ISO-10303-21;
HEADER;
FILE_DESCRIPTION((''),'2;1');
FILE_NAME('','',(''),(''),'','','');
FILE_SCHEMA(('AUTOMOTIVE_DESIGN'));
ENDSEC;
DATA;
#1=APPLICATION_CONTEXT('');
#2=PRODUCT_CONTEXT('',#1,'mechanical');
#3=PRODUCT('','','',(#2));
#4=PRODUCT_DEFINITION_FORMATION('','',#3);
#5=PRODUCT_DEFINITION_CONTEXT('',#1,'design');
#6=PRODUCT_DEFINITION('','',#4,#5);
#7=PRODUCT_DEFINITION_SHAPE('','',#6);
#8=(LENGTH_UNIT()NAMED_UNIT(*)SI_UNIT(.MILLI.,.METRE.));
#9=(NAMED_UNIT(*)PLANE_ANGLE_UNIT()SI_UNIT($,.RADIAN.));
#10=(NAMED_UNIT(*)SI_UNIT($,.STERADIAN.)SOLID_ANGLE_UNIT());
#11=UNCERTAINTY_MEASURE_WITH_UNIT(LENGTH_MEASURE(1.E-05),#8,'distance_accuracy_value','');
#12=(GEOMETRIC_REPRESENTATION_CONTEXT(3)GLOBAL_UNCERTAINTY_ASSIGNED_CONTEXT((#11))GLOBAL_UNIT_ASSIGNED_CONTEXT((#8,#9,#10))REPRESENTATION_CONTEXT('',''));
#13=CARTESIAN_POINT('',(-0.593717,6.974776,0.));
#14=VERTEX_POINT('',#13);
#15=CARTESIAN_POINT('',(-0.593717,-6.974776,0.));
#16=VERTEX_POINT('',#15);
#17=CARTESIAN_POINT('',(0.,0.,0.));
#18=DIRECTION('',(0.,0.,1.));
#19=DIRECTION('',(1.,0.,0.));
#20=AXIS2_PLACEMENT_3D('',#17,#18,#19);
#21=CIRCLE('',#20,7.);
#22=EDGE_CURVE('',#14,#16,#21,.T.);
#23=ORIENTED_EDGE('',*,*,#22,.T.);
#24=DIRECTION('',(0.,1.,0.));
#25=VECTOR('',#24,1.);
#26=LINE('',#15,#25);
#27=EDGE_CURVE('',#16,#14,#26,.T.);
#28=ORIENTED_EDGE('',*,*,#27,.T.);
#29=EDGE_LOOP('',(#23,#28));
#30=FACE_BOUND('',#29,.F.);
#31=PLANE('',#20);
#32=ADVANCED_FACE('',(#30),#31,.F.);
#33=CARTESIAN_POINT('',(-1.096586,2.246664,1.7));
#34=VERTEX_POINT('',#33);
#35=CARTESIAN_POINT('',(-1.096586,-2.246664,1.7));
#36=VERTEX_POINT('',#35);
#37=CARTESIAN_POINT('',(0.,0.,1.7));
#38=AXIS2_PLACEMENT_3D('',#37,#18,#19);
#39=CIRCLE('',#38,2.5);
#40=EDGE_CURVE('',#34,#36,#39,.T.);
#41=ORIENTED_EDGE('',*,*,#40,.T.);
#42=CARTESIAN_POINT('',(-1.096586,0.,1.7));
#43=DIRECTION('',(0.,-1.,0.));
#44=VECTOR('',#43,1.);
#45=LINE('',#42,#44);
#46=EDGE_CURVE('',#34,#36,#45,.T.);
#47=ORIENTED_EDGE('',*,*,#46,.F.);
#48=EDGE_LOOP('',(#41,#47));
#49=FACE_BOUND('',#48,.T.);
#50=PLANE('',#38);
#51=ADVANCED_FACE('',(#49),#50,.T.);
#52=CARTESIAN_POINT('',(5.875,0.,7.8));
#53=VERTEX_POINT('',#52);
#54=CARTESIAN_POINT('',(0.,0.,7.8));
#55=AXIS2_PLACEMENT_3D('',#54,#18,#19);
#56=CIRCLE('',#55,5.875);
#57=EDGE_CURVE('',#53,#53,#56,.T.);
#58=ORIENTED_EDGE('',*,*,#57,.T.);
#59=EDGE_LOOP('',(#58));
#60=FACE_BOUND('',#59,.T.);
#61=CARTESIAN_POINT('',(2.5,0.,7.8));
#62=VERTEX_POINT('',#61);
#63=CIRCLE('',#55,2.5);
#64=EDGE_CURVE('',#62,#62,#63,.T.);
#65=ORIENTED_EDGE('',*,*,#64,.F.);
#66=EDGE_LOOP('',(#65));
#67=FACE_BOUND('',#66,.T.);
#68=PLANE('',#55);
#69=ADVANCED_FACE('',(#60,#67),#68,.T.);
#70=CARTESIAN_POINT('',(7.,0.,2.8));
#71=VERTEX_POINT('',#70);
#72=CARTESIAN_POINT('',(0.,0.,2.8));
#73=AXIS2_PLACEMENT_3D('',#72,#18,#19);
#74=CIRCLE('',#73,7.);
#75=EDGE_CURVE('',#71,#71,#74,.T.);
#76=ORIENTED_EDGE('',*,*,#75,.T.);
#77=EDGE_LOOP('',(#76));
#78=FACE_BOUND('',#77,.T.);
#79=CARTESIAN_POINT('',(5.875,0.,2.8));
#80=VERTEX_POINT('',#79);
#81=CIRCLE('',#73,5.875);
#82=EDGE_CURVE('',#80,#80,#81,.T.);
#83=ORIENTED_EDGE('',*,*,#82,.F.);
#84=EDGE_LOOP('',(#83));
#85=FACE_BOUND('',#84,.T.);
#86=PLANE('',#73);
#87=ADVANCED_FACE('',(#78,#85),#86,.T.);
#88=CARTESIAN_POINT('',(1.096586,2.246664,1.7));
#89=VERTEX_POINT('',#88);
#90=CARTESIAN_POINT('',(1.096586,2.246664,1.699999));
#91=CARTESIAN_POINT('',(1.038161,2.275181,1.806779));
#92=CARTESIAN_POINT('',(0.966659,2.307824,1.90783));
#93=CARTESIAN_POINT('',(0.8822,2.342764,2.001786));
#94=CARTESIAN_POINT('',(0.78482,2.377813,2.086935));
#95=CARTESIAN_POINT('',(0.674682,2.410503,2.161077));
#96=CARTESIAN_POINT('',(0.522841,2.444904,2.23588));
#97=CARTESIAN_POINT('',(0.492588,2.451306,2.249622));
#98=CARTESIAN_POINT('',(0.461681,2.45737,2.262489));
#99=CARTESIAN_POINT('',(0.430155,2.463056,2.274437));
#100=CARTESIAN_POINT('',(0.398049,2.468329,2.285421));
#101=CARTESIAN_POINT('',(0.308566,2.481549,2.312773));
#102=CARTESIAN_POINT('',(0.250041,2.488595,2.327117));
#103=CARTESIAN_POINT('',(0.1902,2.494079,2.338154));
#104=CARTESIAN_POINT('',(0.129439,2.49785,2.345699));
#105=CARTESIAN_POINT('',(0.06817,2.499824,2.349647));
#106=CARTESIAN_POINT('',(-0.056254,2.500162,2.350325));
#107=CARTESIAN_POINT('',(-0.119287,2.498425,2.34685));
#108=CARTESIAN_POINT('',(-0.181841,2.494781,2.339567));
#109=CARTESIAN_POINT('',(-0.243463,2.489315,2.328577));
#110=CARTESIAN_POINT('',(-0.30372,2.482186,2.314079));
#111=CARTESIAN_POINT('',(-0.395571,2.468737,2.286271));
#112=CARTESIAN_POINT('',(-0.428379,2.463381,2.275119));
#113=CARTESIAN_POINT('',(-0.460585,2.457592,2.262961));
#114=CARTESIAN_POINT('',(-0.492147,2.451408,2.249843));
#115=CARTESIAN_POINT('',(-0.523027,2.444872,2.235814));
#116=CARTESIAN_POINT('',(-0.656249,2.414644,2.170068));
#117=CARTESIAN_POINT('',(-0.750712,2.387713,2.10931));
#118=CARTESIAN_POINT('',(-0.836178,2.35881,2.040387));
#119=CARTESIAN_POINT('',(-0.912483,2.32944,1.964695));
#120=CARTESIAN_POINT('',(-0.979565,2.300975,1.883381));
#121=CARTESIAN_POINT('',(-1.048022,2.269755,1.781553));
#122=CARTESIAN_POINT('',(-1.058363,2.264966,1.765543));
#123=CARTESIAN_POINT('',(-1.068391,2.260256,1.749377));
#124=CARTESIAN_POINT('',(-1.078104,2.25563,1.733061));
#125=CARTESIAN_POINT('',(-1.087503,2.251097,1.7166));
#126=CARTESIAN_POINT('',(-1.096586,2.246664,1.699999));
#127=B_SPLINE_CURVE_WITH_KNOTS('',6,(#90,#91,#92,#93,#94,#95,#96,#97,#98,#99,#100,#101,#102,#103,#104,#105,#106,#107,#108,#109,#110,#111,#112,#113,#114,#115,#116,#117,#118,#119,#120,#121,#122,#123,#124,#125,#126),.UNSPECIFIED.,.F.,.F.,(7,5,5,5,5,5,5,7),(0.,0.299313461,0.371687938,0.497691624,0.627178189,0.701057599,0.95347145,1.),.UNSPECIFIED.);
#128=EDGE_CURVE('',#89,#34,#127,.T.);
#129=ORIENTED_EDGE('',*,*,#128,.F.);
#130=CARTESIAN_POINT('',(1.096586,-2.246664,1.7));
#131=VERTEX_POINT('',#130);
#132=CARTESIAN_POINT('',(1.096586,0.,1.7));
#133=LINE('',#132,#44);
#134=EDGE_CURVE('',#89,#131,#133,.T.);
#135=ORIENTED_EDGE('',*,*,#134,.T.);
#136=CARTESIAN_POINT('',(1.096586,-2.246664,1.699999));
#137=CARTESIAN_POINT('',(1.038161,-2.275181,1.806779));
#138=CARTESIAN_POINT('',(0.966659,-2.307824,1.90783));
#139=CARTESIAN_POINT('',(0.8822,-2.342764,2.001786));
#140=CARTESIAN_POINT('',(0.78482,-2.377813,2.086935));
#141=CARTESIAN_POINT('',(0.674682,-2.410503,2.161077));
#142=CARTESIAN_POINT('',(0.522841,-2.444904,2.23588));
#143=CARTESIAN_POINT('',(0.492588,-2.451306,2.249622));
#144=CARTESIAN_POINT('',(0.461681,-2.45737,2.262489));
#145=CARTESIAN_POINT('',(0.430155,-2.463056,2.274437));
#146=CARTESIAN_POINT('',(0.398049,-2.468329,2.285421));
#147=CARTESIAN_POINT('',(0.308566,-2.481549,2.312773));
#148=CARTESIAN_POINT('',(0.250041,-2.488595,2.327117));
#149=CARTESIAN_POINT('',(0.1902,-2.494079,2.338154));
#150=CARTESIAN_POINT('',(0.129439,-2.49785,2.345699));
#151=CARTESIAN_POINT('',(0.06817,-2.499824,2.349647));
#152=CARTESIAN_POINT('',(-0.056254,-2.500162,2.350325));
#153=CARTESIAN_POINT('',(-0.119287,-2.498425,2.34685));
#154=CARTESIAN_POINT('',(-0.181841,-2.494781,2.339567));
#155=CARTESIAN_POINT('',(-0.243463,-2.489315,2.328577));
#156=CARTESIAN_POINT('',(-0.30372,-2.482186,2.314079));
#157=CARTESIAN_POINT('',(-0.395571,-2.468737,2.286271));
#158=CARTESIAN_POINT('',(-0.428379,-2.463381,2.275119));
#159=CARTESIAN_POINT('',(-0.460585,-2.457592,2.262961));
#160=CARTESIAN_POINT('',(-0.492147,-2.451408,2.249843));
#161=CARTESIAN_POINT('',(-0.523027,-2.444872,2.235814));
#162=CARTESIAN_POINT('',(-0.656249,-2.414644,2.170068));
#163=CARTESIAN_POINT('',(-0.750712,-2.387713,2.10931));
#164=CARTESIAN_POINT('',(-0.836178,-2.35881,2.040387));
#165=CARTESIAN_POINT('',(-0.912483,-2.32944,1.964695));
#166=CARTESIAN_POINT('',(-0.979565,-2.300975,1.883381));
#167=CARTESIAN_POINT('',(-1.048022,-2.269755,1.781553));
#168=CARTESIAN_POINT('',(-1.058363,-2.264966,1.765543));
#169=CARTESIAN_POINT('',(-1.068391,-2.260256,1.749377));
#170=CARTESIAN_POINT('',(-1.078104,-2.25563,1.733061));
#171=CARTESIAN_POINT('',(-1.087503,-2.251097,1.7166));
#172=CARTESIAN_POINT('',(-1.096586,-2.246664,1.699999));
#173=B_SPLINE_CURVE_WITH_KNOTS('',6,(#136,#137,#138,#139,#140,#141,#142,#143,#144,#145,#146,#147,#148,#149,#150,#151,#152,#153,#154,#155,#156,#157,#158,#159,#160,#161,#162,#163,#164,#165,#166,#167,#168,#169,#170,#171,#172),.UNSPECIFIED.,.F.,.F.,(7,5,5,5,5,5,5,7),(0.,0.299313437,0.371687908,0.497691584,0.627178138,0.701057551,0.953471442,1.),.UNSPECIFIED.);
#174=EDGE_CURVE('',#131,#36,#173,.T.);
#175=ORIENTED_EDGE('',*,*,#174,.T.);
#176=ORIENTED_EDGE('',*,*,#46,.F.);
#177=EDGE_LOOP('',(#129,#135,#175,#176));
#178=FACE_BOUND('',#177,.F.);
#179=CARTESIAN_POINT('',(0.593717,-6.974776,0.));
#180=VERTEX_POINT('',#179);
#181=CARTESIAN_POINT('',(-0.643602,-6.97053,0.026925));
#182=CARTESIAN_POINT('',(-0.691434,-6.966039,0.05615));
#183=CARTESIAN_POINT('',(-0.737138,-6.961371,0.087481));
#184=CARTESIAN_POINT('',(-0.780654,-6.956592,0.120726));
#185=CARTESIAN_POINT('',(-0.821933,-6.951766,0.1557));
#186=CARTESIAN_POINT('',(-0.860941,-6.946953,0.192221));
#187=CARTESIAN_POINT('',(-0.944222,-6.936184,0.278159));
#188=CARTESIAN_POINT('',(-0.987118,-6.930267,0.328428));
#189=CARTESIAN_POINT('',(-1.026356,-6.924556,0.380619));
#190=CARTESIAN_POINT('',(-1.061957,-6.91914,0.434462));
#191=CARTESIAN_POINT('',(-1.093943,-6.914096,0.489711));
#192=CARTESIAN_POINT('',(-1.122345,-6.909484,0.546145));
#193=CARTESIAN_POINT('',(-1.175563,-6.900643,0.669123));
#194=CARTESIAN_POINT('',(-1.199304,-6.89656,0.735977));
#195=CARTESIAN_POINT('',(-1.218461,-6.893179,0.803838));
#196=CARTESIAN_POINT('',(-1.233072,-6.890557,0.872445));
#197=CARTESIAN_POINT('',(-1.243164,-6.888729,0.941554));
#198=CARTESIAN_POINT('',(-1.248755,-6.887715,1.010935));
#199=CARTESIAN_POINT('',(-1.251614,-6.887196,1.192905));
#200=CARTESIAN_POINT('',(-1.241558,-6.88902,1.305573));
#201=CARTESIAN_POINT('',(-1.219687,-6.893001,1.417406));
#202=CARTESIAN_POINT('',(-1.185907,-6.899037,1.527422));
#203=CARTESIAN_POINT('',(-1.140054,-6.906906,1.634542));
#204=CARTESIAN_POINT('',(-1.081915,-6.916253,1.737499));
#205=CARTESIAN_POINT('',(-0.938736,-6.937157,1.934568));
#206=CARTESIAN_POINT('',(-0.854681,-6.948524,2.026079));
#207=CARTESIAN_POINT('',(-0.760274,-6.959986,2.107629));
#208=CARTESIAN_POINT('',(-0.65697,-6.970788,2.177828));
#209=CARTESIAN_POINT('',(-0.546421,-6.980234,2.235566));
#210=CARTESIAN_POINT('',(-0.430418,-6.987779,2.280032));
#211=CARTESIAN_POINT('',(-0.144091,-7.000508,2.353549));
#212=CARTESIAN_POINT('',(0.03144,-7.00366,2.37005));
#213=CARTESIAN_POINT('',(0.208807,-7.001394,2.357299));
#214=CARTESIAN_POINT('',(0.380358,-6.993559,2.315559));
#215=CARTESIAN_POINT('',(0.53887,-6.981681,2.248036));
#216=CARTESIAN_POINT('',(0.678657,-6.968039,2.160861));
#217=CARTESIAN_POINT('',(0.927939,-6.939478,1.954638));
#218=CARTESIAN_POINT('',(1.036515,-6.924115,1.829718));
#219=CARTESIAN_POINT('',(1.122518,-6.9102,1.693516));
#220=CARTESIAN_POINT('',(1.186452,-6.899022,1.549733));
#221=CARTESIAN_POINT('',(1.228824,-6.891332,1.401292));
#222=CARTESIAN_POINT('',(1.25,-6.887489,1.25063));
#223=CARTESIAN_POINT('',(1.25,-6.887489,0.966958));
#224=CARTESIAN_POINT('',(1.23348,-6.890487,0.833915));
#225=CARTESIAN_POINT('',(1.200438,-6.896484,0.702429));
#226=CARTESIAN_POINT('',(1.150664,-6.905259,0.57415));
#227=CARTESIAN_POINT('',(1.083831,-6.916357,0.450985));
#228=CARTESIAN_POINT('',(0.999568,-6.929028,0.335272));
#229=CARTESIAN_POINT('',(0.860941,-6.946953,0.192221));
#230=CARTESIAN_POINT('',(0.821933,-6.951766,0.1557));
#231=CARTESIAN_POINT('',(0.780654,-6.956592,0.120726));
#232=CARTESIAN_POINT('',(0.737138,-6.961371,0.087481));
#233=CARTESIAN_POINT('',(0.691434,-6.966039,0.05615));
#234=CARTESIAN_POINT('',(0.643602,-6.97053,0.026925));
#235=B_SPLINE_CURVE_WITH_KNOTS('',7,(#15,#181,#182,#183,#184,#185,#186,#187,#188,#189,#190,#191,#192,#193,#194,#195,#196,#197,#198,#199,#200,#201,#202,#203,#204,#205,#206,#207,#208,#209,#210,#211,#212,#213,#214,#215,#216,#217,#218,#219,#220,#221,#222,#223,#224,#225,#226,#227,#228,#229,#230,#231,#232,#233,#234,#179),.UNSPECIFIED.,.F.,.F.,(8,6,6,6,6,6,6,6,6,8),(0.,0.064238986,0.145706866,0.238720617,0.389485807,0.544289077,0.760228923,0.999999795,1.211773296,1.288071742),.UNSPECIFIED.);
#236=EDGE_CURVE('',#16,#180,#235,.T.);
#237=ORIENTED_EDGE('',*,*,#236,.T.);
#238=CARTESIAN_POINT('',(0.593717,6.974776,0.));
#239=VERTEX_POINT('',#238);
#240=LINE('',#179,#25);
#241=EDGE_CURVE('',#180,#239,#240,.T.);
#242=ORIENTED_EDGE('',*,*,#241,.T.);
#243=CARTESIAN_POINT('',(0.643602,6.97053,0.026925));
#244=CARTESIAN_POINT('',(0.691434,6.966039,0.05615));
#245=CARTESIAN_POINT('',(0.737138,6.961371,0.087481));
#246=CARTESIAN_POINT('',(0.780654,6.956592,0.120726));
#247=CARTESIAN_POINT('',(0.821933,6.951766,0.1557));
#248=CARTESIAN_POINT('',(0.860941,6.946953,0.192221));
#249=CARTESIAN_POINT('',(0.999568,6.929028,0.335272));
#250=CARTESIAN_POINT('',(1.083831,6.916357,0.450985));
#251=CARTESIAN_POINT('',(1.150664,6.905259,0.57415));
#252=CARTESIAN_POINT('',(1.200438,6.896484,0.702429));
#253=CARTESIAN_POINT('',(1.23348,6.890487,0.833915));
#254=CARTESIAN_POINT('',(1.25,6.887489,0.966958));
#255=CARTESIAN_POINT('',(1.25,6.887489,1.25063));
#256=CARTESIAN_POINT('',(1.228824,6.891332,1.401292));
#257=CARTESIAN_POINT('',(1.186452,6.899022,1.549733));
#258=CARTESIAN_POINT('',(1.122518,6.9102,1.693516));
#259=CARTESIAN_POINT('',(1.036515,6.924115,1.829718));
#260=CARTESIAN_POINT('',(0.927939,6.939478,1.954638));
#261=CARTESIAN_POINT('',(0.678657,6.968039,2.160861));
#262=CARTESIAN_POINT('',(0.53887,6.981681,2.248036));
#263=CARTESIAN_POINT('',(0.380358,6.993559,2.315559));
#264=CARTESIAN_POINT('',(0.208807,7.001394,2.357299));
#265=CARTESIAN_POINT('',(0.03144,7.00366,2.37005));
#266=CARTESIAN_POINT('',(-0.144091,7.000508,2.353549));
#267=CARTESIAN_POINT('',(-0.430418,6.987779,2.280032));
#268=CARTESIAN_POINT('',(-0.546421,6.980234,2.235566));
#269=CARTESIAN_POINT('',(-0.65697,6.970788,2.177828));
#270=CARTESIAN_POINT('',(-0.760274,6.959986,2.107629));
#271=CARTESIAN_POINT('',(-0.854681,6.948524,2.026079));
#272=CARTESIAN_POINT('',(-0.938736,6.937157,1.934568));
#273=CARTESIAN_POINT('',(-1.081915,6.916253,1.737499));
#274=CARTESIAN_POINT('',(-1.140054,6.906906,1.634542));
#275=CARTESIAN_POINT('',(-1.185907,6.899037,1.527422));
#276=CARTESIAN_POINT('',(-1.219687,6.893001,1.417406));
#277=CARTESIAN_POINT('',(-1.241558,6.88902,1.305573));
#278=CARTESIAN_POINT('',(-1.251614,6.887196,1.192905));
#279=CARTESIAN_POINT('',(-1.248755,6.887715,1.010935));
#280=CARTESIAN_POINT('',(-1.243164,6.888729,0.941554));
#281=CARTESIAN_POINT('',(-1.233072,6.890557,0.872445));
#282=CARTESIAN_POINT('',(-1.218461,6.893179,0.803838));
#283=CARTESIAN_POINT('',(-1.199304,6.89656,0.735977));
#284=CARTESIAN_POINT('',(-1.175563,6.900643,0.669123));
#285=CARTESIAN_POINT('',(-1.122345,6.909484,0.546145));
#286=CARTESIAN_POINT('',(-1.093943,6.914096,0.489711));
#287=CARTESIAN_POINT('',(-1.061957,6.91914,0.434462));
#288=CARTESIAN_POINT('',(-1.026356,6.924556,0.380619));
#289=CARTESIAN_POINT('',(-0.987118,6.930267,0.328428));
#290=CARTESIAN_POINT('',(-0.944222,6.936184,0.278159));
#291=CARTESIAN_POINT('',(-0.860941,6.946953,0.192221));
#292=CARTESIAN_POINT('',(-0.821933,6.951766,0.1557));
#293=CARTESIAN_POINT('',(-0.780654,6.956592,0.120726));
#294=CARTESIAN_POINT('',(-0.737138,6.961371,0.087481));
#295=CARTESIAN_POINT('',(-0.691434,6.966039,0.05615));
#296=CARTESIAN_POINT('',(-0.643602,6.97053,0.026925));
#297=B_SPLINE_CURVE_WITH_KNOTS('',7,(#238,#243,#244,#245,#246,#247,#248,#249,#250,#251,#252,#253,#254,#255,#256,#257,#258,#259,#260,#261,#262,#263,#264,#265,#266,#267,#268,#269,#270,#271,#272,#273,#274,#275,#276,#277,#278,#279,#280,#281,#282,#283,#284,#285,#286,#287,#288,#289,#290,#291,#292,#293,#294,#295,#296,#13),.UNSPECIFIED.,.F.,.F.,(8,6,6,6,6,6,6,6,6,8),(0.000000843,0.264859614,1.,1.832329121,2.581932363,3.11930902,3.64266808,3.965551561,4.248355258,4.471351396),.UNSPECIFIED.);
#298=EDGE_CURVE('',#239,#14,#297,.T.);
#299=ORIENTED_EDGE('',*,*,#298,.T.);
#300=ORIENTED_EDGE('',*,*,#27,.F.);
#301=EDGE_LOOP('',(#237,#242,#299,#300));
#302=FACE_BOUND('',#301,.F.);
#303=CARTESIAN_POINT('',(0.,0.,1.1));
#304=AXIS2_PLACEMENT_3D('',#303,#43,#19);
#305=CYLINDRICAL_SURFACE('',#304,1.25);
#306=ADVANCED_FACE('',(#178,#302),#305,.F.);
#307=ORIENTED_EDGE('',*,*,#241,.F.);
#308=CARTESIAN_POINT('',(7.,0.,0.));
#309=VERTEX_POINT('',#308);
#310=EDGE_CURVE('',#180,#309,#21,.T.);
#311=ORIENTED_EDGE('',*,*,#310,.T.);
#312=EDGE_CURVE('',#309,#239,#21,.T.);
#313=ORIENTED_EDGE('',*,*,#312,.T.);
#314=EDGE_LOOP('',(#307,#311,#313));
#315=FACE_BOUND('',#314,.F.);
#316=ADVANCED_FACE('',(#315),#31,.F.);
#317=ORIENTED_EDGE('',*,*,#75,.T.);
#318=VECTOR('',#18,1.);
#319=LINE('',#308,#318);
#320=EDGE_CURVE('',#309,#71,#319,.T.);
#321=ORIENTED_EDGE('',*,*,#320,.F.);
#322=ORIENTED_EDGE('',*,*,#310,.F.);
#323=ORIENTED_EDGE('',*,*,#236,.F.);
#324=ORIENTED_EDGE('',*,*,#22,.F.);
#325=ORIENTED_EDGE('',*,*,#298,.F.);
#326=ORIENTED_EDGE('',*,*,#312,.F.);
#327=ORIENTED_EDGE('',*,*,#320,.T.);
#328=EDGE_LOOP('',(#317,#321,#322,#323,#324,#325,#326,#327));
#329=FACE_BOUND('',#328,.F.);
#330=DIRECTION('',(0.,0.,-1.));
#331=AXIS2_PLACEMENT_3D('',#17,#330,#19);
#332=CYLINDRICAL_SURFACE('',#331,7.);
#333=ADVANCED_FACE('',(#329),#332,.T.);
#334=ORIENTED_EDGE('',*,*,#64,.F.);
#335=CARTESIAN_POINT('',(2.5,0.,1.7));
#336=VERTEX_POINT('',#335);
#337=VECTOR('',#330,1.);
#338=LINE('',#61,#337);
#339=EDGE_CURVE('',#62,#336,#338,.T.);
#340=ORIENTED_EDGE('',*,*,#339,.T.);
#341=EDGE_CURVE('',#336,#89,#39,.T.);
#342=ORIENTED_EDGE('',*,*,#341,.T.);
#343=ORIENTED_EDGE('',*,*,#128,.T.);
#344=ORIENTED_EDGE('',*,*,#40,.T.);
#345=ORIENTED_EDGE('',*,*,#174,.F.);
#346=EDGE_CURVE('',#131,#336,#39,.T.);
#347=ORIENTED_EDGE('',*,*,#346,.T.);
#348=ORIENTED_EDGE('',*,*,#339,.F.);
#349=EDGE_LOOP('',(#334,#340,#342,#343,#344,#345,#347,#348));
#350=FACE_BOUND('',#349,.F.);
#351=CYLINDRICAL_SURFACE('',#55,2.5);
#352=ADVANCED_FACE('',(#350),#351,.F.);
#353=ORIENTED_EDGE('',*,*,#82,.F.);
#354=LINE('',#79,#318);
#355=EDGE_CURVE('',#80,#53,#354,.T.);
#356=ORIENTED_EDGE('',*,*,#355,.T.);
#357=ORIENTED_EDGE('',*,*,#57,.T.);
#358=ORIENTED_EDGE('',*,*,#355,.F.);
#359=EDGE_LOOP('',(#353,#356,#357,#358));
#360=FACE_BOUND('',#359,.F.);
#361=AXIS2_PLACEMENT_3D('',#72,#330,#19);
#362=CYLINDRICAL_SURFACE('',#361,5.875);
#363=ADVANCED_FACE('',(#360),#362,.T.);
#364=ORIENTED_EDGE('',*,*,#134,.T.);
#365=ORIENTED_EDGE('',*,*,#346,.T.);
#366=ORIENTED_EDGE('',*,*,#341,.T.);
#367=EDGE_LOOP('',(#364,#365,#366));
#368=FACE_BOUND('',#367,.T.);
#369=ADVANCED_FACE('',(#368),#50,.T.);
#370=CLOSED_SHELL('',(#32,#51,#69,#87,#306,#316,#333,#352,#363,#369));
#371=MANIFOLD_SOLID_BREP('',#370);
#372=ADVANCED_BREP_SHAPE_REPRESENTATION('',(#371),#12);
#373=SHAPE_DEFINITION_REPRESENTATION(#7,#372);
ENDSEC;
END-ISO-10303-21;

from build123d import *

# Parameters (mm, degrees)
F0_R          = 7
F1_DEPTH      = 2.8
F2_R          = 5.875
F3_DEPTH      = 5
F4_R          = 1.25
F5_DEPTH      = 7.001
F5_DEPTH_BACK = 7.001
F6_R          = 2.5
F7_DEPTH      = 6.1


with BuildPart() as f1:
    # F0 (on Top) → F1 (new body)
    with BuildSketch(Plane.XY):
        Circle(F0_R)
    extrude(amount=F1_DEPTH)

    # F2 (on face) → F3 (join)
    with BuildSketch(Plane.XY.offset(2.8)):
        Circle(F2_R)
    extrude(amount=F3_DEPTH)

    # F4 (on Front) → F5 (cut, two sides)
    with BuildSketch(Plane.XZ) as f5_sk:
        with Locations((0, 1.1)):
            Circle(F4_R)
    extrude(amount=-F5_DEPTH, mode=Mode.SUBTRACT)
    extrude(f5_sk.sketch, amount=F5_DEPTH_BACK, mode=Mode.SUBTRACT)

    # F6 (on face) → F7 (cut, through all)
    with BuildSketch(Plane.XY.offset(7.8)):
        Circle(F6_R)
    extrude(amount=-F7_DEPTH, mode=Mode.SUBTRACT)


solid = f1.part
